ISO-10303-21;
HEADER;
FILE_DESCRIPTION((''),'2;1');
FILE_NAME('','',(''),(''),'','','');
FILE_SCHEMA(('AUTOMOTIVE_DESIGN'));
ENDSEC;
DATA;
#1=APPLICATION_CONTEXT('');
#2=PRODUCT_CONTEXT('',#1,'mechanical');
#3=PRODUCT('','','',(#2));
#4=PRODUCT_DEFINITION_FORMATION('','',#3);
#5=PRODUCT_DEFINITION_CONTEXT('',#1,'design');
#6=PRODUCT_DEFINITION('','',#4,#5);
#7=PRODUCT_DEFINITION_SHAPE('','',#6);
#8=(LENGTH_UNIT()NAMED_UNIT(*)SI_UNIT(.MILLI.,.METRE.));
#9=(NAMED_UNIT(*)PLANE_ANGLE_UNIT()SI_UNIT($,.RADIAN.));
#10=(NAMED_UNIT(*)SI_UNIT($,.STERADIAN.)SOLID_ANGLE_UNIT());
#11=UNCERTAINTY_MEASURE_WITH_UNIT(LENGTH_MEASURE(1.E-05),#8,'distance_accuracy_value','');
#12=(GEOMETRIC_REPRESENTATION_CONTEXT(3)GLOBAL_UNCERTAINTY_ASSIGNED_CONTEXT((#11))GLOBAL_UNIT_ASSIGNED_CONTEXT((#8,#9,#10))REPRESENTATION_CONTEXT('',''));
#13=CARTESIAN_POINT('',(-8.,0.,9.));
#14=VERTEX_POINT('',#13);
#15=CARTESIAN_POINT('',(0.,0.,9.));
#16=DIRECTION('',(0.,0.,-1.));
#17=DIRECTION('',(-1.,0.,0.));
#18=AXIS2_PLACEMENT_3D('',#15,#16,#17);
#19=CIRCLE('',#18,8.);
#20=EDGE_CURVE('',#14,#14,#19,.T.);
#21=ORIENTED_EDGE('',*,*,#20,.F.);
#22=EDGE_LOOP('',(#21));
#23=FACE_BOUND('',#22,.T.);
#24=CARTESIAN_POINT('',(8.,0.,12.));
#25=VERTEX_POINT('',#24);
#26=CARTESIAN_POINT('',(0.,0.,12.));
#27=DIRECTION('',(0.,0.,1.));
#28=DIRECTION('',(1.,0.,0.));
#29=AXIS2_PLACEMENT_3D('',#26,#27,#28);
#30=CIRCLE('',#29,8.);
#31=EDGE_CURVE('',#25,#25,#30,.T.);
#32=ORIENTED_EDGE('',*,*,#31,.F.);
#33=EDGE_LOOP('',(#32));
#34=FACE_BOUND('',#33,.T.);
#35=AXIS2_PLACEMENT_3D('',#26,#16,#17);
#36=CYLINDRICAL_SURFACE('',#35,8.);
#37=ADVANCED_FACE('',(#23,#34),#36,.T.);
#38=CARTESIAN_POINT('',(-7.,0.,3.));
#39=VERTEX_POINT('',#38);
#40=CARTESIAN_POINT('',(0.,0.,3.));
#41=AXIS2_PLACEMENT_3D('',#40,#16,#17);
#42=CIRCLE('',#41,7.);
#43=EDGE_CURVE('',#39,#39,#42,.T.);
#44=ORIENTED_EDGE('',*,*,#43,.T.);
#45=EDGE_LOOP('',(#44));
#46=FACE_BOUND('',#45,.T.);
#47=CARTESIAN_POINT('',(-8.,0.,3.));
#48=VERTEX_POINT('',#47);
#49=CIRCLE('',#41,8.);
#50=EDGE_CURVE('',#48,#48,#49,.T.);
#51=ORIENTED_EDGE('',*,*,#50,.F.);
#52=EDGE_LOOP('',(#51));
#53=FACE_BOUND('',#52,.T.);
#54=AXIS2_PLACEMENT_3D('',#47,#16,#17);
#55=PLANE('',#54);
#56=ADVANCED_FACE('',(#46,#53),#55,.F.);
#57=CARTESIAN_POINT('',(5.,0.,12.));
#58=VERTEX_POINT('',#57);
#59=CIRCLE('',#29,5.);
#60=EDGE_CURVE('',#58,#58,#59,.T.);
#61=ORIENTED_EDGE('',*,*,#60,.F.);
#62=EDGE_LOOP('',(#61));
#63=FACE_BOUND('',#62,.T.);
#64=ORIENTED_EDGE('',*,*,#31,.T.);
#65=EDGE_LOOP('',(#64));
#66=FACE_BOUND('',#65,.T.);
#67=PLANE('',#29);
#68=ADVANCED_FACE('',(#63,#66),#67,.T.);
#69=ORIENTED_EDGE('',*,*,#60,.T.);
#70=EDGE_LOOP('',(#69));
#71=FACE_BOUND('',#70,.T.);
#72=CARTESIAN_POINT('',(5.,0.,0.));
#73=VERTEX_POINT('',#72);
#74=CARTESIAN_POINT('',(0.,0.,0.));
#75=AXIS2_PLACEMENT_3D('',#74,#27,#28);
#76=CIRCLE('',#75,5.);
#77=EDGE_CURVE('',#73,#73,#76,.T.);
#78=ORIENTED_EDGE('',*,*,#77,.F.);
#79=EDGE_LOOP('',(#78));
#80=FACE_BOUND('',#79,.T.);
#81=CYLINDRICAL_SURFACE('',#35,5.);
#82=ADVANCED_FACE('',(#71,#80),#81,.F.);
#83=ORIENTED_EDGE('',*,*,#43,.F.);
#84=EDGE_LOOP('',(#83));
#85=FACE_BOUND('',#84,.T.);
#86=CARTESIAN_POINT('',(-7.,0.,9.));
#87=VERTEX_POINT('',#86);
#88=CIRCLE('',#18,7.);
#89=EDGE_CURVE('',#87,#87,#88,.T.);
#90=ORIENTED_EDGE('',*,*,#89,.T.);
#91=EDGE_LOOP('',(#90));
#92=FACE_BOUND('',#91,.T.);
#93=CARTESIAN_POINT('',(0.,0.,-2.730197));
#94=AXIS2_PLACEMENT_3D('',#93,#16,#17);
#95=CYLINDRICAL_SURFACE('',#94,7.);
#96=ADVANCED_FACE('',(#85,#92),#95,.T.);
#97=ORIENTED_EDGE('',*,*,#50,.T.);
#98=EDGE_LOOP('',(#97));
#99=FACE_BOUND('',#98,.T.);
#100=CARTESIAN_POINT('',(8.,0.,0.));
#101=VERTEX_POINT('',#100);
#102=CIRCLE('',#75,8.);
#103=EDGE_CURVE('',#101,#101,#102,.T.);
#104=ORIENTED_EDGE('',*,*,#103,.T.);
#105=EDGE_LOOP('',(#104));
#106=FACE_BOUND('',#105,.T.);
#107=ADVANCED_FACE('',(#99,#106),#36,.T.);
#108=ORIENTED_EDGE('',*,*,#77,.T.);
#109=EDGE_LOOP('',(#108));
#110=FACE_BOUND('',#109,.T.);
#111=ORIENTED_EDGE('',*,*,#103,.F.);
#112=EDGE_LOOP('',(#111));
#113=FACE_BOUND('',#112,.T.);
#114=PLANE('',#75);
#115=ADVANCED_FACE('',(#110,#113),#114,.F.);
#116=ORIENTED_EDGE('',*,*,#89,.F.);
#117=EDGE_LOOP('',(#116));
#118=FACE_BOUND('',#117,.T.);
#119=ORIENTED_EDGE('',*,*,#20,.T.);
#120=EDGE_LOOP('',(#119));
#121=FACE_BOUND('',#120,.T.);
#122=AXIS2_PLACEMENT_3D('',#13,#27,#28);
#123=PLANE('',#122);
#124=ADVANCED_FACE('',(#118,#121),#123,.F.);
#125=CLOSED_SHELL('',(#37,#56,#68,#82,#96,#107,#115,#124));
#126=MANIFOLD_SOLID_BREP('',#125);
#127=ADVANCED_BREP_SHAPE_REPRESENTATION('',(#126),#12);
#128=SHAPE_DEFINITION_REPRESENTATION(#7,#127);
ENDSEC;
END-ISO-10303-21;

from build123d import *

# Parameters (mm, degrees)
SKETCH1_R           = 8
SKETCH1_R_2         = 5
BOSS_EXTRUDE1_DEPTH = 12
SKETCH2_W           = 1
SKETCH2_H           = 6


with BuildPart() as part:
    # Sketch1 → Boss-Extrude1 (new body)
    with BuildSketch(Plane.XY):
        Circle(SKETCH1_R)
        Circle(SKETCH1_R_2, mode=Mode.SUBTRACT)
    extrude(amount=BOSS_EXTRUDE1_DEPTH)

    # Sketch2 → Cut-Revolve1 (revolve, cut)
    with BuildSketch(Plane(origin=(0, 0, 0), x_dir=(1, 0, 0), z_dir=(0, 1, 0))):
        with Locations((-7.5, -6)):
            Rectangle(SKETCH2_W, SKETCH2_H)
    revolve(axis=Axis((0, 0, -2.730196635), (0, 0, 1)), mode=Mode.SUBTRACT)


solid = part.part
